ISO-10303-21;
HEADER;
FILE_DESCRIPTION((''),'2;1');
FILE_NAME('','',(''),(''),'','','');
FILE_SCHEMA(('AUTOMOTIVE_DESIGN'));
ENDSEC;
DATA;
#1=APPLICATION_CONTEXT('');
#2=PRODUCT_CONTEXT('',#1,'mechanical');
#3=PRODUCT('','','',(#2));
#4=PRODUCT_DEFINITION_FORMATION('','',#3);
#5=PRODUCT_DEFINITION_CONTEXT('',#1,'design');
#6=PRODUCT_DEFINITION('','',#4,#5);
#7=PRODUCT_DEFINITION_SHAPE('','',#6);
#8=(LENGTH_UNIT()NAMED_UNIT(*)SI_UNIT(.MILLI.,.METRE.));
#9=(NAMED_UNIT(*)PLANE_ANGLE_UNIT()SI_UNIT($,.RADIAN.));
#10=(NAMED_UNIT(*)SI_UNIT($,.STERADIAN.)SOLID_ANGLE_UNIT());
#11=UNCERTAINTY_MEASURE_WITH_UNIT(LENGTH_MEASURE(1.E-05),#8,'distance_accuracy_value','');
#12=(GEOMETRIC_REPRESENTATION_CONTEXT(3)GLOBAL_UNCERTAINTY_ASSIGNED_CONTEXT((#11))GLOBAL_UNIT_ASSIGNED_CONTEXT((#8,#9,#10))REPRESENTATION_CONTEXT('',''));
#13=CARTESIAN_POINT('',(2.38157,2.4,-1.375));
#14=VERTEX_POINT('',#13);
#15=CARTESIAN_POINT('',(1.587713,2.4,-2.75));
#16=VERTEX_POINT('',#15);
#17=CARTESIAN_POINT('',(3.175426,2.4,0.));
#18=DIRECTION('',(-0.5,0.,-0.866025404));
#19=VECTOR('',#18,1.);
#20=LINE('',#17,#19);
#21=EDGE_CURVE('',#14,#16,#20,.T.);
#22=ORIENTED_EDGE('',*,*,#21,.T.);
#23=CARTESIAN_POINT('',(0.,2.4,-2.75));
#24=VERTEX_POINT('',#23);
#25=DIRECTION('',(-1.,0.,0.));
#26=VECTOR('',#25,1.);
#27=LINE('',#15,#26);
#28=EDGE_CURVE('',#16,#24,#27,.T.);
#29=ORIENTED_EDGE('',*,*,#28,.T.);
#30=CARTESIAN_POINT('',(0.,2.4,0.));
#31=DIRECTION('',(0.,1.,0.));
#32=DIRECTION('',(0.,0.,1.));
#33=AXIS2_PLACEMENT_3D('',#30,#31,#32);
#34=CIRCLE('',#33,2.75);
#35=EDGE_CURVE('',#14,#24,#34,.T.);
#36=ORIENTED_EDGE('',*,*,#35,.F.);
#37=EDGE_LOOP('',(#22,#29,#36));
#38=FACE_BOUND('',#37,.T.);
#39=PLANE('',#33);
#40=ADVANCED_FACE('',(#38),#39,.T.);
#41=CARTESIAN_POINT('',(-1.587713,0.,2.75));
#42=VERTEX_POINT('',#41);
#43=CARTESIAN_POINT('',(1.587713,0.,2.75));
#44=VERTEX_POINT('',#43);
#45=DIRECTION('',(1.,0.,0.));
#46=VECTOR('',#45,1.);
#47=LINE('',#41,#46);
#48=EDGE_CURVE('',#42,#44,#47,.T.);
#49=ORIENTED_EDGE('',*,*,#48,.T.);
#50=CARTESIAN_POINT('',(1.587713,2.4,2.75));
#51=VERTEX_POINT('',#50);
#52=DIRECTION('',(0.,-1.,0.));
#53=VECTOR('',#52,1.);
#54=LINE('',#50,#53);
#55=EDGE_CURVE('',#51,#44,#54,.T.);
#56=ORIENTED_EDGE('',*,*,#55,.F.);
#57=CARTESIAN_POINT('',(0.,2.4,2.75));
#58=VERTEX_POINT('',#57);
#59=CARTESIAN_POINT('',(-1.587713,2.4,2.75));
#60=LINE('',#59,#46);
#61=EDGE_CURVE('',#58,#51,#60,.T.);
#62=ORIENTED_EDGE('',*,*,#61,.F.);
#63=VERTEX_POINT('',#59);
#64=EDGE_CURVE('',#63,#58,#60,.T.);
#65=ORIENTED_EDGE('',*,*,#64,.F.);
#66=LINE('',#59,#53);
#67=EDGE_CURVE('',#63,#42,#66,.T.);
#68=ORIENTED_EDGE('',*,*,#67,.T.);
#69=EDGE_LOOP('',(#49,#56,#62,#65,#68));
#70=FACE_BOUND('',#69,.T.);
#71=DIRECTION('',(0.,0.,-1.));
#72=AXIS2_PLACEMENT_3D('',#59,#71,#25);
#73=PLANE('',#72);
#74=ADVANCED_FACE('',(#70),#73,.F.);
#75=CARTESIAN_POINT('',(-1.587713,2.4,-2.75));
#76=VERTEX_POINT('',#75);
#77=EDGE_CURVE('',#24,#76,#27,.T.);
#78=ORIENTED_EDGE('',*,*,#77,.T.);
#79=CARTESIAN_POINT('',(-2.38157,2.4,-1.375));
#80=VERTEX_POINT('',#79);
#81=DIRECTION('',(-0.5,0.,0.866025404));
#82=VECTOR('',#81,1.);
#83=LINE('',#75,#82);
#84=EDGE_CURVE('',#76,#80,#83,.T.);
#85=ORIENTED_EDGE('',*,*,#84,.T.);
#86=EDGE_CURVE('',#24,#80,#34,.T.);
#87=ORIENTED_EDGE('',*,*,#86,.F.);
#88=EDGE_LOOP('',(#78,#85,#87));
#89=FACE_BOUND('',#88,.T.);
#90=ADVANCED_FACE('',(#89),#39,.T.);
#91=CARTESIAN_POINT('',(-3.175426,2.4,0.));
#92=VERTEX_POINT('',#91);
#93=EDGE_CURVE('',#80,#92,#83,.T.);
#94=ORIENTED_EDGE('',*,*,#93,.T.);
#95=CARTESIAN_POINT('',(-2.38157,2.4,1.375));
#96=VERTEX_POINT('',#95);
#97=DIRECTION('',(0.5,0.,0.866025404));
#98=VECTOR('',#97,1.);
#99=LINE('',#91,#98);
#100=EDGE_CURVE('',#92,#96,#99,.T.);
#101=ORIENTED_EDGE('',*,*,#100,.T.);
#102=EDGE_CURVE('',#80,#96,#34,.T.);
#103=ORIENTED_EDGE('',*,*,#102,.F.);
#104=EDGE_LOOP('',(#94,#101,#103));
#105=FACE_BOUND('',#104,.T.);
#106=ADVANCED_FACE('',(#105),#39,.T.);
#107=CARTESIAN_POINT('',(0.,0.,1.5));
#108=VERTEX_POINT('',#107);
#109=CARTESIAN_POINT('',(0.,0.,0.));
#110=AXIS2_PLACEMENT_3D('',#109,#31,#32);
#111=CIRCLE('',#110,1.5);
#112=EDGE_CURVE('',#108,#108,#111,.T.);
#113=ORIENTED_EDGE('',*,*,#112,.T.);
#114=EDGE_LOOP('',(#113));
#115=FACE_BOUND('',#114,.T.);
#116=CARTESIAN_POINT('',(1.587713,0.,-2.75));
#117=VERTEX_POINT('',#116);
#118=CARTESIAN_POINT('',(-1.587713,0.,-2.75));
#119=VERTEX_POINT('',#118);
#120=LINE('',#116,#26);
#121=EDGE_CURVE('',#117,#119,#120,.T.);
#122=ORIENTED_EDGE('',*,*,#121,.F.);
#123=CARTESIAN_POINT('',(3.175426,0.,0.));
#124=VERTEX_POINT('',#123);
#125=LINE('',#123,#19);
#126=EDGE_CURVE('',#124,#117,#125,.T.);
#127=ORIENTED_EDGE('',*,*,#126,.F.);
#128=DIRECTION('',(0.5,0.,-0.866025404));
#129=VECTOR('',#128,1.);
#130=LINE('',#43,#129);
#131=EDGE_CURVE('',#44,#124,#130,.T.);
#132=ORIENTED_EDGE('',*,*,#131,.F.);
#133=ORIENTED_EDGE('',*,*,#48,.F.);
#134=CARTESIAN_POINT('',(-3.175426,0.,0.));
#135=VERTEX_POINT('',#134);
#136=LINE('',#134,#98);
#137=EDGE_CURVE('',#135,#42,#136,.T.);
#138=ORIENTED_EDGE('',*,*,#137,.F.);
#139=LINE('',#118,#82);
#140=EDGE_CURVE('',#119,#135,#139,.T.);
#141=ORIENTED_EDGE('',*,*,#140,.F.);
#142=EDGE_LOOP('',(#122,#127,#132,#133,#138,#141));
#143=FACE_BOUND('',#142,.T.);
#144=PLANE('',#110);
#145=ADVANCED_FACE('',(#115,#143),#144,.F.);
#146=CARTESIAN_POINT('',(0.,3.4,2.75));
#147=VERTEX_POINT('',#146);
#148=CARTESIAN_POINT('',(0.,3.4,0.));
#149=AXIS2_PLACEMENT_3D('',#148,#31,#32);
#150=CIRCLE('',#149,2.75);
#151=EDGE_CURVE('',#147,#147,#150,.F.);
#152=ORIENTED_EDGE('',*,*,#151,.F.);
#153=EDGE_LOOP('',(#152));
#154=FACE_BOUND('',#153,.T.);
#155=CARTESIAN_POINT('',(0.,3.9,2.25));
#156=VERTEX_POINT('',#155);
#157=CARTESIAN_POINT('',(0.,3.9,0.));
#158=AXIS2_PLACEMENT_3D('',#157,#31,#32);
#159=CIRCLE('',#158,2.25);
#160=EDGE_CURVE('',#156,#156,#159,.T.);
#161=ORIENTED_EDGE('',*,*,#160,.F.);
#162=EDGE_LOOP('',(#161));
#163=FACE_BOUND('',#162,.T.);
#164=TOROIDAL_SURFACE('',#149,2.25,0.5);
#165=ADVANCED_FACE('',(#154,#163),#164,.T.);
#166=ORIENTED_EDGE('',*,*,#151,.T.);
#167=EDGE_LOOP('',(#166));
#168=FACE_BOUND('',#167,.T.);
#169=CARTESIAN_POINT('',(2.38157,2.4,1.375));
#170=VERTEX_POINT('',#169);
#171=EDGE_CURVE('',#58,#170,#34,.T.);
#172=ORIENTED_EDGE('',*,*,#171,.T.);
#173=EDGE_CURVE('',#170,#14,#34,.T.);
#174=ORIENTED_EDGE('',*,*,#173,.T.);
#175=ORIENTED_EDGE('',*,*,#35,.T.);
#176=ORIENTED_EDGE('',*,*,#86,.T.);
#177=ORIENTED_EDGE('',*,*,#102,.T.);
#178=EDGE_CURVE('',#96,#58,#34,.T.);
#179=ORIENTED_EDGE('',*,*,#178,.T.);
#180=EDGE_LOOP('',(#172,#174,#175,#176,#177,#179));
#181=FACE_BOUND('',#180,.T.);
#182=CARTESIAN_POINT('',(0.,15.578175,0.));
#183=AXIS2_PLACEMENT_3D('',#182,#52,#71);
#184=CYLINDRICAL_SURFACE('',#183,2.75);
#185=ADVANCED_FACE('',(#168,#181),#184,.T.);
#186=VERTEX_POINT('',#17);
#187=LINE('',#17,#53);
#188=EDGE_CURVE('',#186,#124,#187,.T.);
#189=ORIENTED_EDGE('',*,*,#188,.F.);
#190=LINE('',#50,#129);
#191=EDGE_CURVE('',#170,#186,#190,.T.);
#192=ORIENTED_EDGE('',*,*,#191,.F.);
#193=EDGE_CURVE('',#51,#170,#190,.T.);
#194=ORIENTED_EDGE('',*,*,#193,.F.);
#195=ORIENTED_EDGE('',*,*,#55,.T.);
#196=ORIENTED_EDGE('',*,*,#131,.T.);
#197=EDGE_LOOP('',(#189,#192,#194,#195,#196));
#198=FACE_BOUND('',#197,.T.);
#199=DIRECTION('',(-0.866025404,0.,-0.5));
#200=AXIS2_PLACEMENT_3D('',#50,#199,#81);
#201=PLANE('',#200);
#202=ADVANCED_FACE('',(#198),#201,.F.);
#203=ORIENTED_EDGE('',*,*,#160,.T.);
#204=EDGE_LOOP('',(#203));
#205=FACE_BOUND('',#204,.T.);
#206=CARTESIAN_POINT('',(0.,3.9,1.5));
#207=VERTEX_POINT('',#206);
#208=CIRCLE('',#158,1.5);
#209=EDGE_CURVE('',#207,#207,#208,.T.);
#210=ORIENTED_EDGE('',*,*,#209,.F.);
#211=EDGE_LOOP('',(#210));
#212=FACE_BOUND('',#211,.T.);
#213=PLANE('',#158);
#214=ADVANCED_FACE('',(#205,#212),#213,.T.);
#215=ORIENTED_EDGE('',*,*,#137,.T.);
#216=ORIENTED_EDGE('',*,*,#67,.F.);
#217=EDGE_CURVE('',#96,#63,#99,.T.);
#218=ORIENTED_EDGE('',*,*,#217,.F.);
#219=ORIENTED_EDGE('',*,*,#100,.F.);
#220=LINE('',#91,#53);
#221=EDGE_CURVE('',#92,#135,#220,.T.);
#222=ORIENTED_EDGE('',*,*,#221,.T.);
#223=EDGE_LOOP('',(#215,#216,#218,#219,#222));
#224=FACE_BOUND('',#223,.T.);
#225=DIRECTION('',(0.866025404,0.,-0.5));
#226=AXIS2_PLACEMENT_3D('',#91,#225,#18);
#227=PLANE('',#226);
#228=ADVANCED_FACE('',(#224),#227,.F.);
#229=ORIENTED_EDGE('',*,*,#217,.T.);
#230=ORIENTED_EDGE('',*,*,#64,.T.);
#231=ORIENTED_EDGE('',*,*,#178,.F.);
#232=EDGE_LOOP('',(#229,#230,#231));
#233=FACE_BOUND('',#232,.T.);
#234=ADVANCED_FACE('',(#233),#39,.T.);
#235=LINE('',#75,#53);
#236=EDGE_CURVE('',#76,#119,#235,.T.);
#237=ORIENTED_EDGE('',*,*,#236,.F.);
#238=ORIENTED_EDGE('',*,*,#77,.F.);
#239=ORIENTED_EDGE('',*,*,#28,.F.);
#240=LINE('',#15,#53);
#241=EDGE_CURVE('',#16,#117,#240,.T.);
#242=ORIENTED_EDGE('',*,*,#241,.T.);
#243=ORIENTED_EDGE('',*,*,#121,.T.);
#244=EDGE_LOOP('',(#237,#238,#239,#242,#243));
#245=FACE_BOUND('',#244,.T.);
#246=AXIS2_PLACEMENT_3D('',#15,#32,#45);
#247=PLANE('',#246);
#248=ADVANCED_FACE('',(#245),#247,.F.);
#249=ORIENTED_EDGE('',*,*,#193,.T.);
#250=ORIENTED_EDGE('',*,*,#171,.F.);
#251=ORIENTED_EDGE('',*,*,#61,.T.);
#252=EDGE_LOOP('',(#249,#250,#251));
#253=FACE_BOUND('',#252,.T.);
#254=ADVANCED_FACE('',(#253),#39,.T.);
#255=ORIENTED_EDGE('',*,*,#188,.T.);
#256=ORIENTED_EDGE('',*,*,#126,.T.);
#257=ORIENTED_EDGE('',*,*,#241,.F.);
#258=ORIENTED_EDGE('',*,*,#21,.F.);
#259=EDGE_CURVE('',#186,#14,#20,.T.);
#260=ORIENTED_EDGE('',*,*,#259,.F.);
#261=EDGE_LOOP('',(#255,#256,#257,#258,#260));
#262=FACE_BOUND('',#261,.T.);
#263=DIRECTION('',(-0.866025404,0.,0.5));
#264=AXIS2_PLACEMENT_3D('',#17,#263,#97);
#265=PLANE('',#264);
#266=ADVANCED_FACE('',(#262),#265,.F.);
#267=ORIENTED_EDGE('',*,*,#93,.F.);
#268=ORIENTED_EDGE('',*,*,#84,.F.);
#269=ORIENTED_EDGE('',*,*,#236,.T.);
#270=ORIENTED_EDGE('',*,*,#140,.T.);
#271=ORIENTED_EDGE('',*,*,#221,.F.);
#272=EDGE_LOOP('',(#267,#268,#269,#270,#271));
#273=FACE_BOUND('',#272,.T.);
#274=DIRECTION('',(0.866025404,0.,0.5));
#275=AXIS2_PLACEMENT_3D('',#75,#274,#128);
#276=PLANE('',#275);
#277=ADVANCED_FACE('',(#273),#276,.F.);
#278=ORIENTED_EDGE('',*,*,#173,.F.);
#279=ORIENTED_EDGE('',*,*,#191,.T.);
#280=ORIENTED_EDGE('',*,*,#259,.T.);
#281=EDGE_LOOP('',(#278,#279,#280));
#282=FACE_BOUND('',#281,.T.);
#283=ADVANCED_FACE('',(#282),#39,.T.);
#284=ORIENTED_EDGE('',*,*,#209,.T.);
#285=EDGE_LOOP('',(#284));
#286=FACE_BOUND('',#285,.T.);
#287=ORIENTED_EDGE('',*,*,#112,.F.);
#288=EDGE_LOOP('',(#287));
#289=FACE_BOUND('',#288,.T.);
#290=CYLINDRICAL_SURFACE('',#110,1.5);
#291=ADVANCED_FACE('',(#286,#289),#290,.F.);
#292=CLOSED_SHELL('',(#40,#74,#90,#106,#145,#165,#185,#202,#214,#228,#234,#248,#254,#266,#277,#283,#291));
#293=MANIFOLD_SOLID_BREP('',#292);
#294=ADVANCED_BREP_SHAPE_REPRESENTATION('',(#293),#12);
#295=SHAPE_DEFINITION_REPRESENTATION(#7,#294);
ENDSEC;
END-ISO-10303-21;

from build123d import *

# Parameters (mm, degrees)
EXTRUDE_1_DEPTH     = 2.4
SKETCH_2_R          = 2.75
EXTRUDE_2_DEPTH     = 1.5
SKETCH_3_R          = 1.5
CUT_EXTRUDE_1_DEPTH = 6.732000814
FILLET_1_R          = 0.5


with BuildPart() as part:
    # 草图1 → 凸台-拉伸1 (new body)
    with BuildSketch(Plane(origin=(0, 0, 0), x_dir=(1, 0, 0), z_dir=(0, 1, 0))):
        Polygon((3.175426481, 0), (1.58771324, 2.75), (-1.58771324, 2.75), (-3.175426481, 0), (-1.58771324, -2.75), (1.58771324, -2.75), align=None)
    extrude(amount=EXTRUDE_1_DEPTH)

    # 草图2 → 凸台-拉伸2 (add)
    with BuildSketch(Plane(origin=(0, 2.4, 0), x_dir=(1, 0, 0), z_dir=(0, 1, 0))):
        with Locations(Location((0, 0, 0), (0, 0, 270))):
            Circle(SKETCH_2_R)
    extrude(amount=EXTRUDE_2_DEPTH)

    # 草图3 → 切除-拉伸1 (cut, through all)
    with BuildSketch(Plane(origin=(0, 3.9, 0), x_dir=(1, 0, 0), z_dir=(0, 1, 0))):
        with Locations(Location((0, 0, 0), (0, 0, 270))):
            Circle(SKETCH_3_R)
    extrude(amount=-CUT_EXTRUDE_1_DEPTH, mode=Mode.SUBTRACT)

    # 圆角1
    fillet_1_edges = [part.edges().sort_by_distance(p)[0] for p in [
        (0, 3.9, -2.75),
    ]]
    fillet(fillet_1_edges, radius=FILLET_1_R)


solid = part.part
